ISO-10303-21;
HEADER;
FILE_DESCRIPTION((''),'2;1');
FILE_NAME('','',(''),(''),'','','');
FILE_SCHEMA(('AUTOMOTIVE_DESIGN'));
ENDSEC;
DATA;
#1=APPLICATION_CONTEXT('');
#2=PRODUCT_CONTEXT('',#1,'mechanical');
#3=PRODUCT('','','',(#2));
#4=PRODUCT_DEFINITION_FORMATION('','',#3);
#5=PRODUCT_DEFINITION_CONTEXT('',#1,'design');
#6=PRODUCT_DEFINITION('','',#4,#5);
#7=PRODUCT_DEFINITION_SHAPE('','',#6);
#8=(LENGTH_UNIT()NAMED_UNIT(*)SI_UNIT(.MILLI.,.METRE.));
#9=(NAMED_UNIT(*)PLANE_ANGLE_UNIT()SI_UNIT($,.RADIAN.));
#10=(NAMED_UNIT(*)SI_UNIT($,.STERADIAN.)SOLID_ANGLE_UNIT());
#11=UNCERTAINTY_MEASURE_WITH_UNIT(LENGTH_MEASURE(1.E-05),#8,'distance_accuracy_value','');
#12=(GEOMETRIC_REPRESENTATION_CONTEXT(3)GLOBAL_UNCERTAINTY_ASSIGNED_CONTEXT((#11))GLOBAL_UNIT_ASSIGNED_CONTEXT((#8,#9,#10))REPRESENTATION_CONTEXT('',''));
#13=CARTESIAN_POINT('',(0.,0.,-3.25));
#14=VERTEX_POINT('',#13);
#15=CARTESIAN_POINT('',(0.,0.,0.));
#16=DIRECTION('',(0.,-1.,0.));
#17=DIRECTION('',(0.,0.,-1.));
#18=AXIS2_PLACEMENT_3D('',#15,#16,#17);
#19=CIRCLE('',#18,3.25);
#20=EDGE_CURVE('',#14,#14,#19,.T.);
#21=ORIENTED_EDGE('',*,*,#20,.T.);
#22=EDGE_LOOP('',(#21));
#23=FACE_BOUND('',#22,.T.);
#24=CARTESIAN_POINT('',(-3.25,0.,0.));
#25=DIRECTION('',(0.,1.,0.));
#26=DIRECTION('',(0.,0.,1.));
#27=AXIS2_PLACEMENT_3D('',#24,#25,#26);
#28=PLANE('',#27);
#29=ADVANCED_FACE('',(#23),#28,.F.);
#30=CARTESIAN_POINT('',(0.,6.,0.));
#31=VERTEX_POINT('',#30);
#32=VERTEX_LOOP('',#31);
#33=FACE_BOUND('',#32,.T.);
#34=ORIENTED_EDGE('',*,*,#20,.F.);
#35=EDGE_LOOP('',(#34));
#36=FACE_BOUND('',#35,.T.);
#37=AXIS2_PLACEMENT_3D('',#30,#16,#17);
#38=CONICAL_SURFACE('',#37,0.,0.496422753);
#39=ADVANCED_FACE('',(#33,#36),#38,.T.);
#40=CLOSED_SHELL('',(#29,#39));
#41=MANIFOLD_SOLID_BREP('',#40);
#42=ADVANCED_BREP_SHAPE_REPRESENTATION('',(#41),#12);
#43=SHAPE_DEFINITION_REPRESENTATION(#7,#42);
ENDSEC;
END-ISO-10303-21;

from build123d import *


with BuildPart() as part:
    # ｽｹｯﾁ1 → 回転1 (revolve)
    with BuildSketch(Plane.XY, mode=Mode.PRIVATE) as revolve_1_sk:
        Polygon((0, 0), (0, 6), (-3.25, 0), align=None)
    revolve(revolve_1_sk.sketch.rotate(Axis((0, 0, 0), (0, 1, 0)), 270), axis=Axis((0, 0, 0), (0, 1, 0)))


solid = part.part
